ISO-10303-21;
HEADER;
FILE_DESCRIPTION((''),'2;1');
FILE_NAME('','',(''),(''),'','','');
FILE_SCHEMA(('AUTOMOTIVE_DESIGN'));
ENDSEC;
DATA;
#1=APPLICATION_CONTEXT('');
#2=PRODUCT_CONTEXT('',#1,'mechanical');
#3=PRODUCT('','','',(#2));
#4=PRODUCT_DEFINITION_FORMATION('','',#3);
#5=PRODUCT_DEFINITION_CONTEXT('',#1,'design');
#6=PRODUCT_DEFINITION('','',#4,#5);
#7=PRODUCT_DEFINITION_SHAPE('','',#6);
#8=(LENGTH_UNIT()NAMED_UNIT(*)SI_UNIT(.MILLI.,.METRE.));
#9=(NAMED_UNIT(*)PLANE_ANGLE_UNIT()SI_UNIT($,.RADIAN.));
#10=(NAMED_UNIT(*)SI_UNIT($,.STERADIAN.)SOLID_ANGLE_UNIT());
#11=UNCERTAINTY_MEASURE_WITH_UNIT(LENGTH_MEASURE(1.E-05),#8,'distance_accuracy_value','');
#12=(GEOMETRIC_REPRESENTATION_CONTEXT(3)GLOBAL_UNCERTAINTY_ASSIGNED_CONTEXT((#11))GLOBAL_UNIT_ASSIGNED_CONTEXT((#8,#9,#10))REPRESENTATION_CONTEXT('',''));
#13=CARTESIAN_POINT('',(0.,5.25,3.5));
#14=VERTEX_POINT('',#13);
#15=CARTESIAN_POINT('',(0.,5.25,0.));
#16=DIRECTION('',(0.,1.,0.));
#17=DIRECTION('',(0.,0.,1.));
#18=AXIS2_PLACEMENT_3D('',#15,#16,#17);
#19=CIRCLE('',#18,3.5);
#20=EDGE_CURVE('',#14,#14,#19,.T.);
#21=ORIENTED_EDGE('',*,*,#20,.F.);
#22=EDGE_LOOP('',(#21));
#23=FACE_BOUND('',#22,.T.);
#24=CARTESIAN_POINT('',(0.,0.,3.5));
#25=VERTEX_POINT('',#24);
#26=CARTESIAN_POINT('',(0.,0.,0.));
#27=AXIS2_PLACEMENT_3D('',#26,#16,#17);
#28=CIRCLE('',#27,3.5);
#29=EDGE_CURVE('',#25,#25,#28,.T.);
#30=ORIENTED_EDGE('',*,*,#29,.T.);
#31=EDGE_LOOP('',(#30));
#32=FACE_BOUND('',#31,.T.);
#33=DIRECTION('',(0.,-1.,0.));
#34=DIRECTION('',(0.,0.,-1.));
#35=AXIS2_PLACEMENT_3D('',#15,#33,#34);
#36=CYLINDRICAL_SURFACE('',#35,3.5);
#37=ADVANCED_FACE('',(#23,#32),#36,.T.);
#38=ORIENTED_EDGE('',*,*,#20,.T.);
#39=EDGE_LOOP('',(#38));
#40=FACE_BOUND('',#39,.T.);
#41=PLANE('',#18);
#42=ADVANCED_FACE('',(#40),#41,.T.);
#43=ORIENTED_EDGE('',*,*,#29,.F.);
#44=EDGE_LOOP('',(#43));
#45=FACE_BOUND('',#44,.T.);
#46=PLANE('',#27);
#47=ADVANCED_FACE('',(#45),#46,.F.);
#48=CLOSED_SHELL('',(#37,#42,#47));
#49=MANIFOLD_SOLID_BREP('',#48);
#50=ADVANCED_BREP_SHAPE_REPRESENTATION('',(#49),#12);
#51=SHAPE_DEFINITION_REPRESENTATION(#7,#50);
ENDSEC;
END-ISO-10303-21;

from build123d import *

# Parameters (mm, degrees)
SKETCH_1_R      = 3.5
EXTRUDE_1_DEPTH = 5.25


with BuildPart() as part:
    # ｽｹｯﾁ1 → ﾎﾞｽ - 押し出し1 (new body)
    with BuildSketch(Plane(origin=(0, 0, 0), x_dir=(1, 0, 0), z_dir=(0, 1, 0))):
        Circle(SKETCH_1_R)
    extrude(amount=EXTRUDE_1_DEPTH)


solid = part.part
